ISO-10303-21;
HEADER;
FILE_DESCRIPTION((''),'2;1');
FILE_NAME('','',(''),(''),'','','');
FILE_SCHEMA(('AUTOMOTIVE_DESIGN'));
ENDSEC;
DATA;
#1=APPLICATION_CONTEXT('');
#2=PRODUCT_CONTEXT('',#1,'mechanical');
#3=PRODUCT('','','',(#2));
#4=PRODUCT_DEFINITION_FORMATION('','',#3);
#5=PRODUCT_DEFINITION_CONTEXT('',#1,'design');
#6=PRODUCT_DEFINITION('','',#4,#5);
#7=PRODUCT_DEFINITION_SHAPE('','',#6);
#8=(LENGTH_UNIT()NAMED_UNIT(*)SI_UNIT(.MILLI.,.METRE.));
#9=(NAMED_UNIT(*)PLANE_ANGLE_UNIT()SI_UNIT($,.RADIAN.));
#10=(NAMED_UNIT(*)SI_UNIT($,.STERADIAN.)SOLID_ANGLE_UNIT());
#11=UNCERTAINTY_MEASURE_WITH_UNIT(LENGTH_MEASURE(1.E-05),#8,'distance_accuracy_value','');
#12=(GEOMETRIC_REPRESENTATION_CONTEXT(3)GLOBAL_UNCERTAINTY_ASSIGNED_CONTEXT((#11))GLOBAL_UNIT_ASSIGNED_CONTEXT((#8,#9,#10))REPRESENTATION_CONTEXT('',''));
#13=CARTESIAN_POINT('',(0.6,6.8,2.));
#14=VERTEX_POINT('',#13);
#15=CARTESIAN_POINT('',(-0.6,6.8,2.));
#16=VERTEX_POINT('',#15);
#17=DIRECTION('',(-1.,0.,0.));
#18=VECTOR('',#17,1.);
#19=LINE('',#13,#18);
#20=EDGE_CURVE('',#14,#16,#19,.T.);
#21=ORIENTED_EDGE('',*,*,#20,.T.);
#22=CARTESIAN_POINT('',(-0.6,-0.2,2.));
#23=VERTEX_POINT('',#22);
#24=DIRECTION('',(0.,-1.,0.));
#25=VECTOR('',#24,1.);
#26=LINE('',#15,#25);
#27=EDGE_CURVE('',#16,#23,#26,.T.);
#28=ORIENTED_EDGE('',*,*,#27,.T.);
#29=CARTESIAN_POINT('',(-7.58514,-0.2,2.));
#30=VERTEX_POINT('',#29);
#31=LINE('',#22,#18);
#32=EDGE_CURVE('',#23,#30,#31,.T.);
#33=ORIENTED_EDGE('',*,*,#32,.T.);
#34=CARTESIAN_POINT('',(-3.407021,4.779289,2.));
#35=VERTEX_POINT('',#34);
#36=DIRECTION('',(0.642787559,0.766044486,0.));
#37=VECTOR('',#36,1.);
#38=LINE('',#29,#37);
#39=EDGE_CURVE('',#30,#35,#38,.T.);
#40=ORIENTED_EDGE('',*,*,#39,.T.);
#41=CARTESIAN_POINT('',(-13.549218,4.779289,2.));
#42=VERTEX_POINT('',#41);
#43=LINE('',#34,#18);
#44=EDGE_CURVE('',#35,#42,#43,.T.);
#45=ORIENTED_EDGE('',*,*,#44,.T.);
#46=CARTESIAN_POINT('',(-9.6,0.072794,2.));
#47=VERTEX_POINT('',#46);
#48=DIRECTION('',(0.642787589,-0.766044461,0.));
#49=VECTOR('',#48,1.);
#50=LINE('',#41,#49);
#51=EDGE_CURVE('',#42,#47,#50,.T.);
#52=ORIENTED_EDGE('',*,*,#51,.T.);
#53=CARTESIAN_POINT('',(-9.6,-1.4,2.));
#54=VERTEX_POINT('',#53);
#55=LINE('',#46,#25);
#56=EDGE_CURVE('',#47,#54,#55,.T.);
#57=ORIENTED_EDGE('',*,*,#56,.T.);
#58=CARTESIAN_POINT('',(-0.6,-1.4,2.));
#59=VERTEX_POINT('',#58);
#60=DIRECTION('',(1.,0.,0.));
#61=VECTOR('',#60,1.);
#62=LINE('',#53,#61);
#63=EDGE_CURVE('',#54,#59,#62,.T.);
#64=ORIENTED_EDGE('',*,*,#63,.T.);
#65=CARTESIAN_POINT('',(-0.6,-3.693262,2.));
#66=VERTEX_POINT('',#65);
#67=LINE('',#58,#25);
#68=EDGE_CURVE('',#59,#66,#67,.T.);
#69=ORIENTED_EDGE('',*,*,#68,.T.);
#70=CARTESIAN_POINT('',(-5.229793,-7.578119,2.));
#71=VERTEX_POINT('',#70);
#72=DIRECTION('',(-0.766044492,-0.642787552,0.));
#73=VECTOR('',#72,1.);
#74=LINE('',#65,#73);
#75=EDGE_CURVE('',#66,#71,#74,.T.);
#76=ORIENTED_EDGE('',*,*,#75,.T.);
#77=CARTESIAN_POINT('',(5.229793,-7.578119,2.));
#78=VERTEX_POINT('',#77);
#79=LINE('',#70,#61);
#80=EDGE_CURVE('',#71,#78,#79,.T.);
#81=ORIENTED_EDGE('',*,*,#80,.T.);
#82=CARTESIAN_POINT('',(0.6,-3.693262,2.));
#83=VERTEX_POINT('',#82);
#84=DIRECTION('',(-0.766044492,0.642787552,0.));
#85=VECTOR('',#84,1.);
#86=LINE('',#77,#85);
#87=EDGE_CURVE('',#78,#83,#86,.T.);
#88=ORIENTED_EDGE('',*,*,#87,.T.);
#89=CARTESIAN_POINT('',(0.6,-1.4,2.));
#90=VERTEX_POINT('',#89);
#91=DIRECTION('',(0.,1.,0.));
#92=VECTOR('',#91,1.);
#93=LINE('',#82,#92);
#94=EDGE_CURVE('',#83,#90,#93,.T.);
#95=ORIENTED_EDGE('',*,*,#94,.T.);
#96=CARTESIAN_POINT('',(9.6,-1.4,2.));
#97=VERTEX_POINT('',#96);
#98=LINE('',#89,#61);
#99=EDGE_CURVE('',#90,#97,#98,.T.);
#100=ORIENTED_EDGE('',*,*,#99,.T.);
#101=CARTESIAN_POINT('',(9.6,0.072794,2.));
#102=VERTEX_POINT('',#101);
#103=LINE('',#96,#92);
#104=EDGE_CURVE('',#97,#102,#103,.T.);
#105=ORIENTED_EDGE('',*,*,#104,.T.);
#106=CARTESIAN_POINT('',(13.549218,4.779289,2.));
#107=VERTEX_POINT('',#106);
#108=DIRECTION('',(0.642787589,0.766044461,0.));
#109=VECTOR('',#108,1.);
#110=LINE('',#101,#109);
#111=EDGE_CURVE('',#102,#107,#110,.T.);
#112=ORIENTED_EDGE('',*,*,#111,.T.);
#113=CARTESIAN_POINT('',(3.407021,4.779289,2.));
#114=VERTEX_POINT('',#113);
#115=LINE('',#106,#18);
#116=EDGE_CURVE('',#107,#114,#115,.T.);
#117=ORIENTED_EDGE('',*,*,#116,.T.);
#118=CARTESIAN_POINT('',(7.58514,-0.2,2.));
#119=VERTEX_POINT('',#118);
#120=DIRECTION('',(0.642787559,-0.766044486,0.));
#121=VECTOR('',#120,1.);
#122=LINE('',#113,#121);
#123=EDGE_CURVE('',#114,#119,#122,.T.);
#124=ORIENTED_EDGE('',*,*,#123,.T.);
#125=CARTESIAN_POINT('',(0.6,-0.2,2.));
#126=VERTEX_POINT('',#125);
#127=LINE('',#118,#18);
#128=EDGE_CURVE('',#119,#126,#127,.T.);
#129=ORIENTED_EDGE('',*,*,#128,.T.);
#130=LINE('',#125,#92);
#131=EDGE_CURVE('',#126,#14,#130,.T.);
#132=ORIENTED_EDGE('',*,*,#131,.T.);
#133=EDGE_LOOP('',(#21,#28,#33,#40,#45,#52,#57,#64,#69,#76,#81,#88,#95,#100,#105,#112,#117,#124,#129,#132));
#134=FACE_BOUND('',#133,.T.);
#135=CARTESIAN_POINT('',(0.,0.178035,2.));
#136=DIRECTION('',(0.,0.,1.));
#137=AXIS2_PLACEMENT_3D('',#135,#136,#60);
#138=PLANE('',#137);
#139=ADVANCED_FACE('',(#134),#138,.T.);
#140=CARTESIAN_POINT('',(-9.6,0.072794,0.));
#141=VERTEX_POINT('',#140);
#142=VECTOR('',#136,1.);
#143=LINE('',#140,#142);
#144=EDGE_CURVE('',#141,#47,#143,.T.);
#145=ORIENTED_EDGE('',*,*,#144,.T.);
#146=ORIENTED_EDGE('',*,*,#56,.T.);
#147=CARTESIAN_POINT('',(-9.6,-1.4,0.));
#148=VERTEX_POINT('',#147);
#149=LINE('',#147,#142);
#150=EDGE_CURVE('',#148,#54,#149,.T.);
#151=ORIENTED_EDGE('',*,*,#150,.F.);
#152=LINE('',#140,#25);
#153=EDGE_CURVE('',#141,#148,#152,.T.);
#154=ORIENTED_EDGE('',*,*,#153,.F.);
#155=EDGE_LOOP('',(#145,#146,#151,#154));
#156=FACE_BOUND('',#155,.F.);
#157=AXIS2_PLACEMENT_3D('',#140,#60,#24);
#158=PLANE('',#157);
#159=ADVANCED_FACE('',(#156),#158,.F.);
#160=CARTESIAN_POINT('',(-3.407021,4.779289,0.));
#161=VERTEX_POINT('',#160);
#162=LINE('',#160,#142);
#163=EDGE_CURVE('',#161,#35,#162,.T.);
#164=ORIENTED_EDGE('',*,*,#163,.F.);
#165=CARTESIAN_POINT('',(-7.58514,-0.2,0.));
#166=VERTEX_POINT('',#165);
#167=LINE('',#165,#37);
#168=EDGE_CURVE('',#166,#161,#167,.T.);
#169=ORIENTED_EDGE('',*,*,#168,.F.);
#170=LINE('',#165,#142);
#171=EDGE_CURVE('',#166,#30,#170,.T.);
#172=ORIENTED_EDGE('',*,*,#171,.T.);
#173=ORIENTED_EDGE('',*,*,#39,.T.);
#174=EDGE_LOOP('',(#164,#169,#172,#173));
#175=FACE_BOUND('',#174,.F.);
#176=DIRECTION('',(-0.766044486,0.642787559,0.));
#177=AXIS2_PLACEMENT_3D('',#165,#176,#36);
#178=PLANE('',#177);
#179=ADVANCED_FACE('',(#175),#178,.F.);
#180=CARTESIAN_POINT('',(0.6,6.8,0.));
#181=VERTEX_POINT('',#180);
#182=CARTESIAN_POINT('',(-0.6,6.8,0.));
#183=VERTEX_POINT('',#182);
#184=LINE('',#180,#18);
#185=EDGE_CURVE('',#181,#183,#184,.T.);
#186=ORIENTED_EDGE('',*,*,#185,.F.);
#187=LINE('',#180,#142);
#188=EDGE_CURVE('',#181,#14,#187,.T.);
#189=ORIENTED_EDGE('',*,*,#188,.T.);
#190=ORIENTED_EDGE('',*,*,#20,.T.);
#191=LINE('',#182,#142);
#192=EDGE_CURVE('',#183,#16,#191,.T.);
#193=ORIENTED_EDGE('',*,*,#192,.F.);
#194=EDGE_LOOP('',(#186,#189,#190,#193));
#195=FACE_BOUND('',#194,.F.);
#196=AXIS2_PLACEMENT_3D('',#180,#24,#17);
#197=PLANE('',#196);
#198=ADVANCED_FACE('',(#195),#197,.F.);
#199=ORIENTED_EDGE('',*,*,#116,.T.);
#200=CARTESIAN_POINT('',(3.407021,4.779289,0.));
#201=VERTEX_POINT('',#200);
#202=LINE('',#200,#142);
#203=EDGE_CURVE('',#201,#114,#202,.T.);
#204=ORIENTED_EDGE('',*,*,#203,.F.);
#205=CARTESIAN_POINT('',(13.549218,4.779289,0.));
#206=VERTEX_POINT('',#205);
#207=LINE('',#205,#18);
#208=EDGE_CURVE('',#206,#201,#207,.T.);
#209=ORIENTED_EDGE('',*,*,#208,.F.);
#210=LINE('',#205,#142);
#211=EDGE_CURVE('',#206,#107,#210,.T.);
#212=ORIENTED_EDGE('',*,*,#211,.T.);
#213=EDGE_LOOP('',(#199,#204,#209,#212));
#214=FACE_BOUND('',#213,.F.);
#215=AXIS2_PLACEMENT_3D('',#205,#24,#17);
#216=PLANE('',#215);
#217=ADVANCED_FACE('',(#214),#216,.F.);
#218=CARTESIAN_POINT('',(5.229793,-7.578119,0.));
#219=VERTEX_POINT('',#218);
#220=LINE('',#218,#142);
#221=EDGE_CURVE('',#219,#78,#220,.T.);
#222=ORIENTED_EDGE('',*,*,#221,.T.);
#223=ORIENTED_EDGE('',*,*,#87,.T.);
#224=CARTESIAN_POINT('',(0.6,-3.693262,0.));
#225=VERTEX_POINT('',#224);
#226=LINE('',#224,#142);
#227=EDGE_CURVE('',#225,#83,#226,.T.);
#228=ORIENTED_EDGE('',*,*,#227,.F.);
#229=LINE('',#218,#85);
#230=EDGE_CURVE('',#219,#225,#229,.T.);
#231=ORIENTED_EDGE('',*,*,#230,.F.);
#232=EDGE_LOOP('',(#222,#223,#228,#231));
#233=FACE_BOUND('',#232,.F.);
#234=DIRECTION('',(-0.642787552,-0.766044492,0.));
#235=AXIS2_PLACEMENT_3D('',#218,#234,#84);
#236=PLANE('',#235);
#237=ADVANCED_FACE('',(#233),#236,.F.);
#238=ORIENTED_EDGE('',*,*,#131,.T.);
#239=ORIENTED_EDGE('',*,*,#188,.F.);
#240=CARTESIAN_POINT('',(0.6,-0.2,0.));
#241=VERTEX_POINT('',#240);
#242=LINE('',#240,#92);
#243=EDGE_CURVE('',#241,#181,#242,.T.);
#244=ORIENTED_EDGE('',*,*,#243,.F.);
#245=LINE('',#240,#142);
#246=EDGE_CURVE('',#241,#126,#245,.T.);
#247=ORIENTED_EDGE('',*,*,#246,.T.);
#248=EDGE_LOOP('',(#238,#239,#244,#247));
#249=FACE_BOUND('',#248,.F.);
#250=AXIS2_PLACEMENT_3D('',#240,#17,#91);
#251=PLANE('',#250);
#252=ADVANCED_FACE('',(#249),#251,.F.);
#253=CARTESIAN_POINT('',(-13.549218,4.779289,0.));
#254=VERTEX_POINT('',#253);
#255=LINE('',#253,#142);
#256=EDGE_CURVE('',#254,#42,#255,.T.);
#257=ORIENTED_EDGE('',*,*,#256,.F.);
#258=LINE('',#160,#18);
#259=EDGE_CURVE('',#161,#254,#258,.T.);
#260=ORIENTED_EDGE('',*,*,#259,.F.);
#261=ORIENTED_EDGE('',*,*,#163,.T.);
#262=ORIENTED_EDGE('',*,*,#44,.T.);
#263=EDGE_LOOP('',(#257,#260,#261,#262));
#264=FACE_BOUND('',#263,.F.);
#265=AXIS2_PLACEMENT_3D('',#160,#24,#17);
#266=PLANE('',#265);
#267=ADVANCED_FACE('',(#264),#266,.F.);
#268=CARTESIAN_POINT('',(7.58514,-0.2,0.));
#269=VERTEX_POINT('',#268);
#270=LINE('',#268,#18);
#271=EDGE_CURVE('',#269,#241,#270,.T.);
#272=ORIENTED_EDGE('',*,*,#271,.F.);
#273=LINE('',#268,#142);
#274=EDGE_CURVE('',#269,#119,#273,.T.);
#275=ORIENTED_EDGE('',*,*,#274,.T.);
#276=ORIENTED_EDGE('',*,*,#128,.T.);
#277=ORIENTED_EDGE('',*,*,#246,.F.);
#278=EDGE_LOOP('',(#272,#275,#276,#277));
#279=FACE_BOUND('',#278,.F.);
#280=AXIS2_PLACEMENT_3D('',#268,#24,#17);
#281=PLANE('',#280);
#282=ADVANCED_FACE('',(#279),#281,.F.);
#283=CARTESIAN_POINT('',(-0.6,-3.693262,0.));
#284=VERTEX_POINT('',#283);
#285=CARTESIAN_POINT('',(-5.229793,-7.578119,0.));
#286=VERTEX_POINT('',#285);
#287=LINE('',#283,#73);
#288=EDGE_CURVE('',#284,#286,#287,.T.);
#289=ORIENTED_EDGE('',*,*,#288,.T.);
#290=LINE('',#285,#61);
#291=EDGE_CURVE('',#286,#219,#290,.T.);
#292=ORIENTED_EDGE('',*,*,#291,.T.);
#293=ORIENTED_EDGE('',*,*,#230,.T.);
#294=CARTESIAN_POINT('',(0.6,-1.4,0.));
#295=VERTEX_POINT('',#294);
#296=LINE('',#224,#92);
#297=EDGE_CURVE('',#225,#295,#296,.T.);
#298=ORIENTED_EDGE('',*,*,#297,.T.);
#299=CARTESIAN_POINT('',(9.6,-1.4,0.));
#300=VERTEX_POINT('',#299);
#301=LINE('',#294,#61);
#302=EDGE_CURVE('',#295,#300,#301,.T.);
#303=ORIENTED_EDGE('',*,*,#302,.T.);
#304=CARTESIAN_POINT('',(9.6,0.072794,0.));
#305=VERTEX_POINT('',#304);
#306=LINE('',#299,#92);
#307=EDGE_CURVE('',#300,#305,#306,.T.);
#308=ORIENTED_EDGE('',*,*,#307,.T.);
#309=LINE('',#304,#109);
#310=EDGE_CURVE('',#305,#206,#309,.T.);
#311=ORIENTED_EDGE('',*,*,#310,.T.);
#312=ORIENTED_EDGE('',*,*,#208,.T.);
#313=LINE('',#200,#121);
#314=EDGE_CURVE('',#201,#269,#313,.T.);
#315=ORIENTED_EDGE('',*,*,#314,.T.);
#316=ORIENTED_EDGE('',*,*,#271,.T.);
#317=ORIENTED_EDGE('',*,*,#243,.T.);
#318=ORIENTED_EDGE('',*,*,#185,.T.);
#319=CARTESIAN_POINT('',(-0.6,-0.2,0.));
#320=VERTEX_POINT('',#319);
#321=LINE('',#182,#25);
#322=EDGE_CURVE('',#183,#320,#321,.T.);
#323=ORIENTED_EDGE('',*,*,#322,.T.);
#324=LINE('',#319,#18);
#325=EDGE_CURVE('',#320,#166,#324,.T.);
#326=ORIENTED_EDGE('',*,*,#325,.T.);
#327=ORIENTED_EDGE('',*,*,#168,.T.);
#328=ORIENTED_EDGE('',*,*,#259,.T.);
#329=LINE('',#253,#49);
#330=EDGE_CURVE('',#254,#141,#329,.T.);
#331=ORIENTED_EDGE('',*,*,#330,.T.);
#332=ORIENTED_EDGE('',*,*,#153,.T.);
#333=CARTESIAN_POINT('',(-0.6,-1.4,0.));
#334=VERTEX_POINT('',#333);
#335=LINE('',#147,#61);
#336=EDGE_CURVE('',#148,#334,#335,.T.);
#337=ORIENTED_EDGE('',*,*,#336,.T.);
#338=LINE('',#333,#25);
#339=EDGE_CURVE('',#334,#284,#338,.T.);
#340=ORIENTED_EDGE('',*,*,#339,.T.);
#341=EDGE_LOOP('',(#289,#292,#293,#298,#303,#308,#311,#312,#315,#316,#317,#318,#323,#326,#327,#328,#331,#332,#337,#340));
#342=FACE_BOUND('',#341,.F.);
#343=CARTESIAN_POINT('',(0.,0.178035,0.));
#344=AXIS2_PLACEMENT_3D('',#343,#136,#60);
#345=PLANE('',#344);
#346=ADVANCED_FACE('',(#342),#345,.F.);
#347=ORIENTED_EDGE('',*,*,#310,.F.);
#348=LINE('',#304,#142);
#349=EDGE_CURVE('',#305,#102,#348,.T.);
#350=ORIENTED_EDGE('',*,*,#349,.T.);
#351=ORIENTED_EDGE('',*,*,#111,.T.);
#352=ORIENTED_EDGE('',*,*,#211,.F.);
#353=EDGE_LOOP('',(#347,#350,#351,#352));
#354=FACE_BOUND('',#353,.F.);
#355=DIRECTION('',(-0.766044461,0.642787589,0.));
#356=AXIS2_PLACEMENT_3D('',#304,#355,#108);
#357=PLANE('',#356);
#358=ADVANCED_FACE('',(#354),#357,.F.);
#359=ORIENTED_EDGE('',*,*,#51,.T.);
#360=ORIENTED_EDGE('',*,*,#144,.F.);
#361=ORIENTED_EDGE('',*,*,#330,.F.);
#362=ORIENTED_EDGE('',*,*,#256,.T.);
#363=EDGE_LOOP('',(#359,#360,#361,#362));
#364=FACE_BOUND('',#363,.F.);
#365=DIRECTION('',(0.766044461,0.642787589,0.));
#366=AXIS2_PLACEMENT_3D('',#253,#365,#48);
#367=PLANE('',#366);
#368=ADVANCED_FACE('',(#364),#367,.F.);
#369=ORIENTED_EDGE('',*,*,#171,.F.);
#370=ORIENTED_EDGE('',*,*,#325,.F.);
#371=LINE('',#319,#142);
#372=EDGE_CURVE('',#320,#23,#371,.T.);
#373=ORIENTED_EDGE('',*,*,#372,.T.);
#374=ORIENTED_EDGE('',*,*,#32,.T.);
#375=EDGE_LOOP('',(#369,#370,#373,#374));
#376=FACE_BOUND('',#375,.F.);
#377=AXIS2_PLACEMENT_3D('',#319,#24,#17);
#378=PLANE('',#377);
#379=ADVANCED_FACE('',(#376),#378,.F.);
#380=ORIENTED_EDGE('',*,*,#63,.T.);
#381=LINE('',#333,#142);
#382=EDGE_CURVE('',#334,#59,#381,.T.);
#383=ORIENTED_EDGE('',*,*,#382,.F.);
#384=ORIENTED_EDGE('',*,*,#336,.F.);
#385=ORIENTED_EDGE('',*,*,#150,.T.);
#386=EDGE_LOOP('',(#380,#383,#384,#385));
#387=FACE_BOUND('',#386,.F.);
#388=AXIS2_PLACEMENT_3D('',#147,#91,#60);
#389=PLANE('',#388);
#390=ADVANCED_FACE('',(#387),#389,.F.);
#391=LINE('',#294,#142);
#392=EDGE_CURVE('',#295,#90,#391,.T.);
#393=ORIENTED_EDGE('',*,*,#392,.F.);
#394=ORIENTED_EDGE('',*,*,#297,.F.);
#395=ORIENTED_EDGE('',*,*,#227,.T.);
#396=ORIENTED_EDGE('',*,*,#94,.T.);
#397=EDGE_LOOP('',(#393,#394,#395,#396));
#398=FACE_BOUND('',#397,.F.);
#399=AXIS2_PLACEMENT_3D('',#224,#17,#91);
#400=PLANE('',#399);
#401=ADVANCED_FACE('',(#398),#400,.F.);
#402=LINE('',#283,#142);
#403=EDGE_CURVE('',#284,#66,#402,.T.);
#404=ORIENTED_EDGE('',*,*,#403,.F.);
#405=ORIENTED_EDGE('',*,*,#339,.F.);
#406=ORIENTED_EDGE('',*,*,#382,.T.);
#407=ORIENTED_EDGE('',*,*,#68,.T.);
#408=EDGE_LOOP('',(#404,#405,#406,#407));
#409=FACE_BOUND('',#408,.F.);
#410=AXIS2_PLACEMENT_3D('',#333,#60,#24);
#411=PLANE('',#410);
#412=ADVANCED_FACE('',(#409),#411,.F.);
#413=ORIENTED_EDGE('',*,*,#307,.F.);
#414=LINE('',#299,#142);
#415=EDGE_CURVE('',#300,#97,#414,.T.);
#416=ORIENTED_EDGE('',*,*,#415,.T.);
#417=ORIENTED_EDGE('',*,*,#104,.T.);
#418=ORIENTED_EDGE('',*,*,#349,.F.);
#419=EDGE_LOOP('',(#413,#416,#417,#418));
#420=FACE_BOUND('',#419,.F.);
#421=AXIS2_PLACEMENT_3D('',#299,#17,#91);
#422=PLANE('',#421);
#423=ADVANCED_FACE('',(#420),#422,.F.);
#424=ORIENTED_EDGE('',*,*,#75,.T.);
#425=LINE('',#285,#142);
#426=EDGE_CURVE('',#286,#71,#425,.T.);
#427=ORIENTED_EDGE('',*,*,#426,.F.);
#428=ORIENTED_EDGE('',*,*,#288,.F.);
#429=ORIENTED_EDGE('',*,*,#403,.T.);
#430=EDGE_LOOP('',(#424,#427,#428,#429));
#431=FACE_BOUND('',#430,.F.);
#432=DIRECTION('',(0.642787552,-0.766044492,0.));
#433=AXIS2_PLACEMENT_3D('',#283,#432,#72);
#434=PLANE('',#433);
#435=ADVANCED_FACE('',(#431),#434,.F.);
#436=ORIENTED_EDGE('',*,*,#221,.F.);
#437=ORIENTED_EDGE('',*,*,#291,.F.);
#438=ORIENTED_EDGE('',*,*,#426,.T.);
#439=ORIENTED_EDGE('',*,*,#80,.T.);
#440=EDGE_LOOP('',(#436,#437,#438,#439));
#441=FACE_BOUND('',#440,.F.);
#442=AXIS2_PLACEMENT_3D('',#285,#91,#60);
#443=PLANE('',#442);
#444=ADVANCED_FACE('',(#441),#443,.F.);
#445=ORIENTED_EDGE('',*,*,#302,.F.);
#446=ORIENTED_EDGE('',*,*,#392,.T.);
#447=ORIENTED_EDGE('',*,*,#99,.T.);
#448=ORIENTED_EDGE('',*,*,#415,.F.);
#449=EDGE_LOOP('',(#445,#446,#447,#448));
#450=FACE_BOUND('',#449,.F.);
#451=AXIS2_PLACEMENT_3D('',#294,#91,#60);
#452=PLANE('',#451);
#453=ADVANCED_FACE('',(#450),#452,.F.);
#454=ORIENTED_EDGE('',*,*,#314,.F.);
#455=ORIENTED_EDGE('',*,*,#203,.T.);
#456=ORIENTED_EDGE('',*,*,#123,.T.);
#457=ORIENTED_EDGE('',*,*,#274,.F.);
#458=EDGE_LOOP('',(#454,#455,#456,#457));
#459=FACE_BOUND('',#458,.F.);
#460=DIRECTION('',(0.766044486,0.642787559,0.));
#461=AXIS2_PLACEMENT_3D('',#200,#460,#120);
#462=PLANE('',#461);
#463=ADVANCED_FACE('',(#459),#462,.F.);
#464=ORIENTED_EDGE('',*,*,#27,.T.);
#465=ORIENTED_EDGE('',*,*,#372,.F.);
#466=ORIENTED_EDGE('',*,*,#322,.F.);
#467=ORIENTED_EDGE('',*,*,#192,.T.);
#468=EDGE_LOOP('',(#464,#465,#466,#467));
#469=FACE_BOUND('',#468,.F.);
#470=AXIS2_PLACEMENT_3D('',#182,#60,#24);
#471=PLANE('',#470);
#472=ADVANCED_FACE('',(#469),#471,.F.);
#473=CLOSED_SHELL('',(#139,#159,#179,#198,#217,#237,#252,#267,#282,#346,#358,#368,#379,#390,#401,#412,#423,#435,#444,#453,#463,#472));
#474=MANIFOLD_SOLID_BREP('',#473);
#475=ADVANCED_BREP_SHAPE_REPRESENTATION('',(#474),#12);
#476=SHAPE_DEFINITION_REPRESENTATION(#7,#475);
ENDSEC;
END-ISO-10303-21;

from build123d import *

# Parameters (mm, degrees)
F1_DEPTH = 2


with BuildPart() as f1:
    # F0 (on Top) → F1 (new body)
    with BuildSketch(Plane.XY):
        Polygon((-9.6, 0.072794), (-9.6, -1.4), (-0.6, -1.4), (-0.6, -3.693262), (-5.229793, -7.578119), (0, -7.578119), (5.229793, -7.578119), (0.6, -3.693262), (0.6, -1.4), (9.6, -1.4), (9.6, 0.072794), (13.549218, 4.779289), (3.407021, 4.779289), (7.58514, -0.2), (0.6, -0.2), (0.6, 6.8), (0, 6.8), (-0.6, 6.8), (-0.6, -0.2), (-7.58514, -0.2), (-3.407021, 4.779289), (-13.549218, 4.779289), align=None)
    extrude(amount=F1_DEPTH)


solid = f1.part
